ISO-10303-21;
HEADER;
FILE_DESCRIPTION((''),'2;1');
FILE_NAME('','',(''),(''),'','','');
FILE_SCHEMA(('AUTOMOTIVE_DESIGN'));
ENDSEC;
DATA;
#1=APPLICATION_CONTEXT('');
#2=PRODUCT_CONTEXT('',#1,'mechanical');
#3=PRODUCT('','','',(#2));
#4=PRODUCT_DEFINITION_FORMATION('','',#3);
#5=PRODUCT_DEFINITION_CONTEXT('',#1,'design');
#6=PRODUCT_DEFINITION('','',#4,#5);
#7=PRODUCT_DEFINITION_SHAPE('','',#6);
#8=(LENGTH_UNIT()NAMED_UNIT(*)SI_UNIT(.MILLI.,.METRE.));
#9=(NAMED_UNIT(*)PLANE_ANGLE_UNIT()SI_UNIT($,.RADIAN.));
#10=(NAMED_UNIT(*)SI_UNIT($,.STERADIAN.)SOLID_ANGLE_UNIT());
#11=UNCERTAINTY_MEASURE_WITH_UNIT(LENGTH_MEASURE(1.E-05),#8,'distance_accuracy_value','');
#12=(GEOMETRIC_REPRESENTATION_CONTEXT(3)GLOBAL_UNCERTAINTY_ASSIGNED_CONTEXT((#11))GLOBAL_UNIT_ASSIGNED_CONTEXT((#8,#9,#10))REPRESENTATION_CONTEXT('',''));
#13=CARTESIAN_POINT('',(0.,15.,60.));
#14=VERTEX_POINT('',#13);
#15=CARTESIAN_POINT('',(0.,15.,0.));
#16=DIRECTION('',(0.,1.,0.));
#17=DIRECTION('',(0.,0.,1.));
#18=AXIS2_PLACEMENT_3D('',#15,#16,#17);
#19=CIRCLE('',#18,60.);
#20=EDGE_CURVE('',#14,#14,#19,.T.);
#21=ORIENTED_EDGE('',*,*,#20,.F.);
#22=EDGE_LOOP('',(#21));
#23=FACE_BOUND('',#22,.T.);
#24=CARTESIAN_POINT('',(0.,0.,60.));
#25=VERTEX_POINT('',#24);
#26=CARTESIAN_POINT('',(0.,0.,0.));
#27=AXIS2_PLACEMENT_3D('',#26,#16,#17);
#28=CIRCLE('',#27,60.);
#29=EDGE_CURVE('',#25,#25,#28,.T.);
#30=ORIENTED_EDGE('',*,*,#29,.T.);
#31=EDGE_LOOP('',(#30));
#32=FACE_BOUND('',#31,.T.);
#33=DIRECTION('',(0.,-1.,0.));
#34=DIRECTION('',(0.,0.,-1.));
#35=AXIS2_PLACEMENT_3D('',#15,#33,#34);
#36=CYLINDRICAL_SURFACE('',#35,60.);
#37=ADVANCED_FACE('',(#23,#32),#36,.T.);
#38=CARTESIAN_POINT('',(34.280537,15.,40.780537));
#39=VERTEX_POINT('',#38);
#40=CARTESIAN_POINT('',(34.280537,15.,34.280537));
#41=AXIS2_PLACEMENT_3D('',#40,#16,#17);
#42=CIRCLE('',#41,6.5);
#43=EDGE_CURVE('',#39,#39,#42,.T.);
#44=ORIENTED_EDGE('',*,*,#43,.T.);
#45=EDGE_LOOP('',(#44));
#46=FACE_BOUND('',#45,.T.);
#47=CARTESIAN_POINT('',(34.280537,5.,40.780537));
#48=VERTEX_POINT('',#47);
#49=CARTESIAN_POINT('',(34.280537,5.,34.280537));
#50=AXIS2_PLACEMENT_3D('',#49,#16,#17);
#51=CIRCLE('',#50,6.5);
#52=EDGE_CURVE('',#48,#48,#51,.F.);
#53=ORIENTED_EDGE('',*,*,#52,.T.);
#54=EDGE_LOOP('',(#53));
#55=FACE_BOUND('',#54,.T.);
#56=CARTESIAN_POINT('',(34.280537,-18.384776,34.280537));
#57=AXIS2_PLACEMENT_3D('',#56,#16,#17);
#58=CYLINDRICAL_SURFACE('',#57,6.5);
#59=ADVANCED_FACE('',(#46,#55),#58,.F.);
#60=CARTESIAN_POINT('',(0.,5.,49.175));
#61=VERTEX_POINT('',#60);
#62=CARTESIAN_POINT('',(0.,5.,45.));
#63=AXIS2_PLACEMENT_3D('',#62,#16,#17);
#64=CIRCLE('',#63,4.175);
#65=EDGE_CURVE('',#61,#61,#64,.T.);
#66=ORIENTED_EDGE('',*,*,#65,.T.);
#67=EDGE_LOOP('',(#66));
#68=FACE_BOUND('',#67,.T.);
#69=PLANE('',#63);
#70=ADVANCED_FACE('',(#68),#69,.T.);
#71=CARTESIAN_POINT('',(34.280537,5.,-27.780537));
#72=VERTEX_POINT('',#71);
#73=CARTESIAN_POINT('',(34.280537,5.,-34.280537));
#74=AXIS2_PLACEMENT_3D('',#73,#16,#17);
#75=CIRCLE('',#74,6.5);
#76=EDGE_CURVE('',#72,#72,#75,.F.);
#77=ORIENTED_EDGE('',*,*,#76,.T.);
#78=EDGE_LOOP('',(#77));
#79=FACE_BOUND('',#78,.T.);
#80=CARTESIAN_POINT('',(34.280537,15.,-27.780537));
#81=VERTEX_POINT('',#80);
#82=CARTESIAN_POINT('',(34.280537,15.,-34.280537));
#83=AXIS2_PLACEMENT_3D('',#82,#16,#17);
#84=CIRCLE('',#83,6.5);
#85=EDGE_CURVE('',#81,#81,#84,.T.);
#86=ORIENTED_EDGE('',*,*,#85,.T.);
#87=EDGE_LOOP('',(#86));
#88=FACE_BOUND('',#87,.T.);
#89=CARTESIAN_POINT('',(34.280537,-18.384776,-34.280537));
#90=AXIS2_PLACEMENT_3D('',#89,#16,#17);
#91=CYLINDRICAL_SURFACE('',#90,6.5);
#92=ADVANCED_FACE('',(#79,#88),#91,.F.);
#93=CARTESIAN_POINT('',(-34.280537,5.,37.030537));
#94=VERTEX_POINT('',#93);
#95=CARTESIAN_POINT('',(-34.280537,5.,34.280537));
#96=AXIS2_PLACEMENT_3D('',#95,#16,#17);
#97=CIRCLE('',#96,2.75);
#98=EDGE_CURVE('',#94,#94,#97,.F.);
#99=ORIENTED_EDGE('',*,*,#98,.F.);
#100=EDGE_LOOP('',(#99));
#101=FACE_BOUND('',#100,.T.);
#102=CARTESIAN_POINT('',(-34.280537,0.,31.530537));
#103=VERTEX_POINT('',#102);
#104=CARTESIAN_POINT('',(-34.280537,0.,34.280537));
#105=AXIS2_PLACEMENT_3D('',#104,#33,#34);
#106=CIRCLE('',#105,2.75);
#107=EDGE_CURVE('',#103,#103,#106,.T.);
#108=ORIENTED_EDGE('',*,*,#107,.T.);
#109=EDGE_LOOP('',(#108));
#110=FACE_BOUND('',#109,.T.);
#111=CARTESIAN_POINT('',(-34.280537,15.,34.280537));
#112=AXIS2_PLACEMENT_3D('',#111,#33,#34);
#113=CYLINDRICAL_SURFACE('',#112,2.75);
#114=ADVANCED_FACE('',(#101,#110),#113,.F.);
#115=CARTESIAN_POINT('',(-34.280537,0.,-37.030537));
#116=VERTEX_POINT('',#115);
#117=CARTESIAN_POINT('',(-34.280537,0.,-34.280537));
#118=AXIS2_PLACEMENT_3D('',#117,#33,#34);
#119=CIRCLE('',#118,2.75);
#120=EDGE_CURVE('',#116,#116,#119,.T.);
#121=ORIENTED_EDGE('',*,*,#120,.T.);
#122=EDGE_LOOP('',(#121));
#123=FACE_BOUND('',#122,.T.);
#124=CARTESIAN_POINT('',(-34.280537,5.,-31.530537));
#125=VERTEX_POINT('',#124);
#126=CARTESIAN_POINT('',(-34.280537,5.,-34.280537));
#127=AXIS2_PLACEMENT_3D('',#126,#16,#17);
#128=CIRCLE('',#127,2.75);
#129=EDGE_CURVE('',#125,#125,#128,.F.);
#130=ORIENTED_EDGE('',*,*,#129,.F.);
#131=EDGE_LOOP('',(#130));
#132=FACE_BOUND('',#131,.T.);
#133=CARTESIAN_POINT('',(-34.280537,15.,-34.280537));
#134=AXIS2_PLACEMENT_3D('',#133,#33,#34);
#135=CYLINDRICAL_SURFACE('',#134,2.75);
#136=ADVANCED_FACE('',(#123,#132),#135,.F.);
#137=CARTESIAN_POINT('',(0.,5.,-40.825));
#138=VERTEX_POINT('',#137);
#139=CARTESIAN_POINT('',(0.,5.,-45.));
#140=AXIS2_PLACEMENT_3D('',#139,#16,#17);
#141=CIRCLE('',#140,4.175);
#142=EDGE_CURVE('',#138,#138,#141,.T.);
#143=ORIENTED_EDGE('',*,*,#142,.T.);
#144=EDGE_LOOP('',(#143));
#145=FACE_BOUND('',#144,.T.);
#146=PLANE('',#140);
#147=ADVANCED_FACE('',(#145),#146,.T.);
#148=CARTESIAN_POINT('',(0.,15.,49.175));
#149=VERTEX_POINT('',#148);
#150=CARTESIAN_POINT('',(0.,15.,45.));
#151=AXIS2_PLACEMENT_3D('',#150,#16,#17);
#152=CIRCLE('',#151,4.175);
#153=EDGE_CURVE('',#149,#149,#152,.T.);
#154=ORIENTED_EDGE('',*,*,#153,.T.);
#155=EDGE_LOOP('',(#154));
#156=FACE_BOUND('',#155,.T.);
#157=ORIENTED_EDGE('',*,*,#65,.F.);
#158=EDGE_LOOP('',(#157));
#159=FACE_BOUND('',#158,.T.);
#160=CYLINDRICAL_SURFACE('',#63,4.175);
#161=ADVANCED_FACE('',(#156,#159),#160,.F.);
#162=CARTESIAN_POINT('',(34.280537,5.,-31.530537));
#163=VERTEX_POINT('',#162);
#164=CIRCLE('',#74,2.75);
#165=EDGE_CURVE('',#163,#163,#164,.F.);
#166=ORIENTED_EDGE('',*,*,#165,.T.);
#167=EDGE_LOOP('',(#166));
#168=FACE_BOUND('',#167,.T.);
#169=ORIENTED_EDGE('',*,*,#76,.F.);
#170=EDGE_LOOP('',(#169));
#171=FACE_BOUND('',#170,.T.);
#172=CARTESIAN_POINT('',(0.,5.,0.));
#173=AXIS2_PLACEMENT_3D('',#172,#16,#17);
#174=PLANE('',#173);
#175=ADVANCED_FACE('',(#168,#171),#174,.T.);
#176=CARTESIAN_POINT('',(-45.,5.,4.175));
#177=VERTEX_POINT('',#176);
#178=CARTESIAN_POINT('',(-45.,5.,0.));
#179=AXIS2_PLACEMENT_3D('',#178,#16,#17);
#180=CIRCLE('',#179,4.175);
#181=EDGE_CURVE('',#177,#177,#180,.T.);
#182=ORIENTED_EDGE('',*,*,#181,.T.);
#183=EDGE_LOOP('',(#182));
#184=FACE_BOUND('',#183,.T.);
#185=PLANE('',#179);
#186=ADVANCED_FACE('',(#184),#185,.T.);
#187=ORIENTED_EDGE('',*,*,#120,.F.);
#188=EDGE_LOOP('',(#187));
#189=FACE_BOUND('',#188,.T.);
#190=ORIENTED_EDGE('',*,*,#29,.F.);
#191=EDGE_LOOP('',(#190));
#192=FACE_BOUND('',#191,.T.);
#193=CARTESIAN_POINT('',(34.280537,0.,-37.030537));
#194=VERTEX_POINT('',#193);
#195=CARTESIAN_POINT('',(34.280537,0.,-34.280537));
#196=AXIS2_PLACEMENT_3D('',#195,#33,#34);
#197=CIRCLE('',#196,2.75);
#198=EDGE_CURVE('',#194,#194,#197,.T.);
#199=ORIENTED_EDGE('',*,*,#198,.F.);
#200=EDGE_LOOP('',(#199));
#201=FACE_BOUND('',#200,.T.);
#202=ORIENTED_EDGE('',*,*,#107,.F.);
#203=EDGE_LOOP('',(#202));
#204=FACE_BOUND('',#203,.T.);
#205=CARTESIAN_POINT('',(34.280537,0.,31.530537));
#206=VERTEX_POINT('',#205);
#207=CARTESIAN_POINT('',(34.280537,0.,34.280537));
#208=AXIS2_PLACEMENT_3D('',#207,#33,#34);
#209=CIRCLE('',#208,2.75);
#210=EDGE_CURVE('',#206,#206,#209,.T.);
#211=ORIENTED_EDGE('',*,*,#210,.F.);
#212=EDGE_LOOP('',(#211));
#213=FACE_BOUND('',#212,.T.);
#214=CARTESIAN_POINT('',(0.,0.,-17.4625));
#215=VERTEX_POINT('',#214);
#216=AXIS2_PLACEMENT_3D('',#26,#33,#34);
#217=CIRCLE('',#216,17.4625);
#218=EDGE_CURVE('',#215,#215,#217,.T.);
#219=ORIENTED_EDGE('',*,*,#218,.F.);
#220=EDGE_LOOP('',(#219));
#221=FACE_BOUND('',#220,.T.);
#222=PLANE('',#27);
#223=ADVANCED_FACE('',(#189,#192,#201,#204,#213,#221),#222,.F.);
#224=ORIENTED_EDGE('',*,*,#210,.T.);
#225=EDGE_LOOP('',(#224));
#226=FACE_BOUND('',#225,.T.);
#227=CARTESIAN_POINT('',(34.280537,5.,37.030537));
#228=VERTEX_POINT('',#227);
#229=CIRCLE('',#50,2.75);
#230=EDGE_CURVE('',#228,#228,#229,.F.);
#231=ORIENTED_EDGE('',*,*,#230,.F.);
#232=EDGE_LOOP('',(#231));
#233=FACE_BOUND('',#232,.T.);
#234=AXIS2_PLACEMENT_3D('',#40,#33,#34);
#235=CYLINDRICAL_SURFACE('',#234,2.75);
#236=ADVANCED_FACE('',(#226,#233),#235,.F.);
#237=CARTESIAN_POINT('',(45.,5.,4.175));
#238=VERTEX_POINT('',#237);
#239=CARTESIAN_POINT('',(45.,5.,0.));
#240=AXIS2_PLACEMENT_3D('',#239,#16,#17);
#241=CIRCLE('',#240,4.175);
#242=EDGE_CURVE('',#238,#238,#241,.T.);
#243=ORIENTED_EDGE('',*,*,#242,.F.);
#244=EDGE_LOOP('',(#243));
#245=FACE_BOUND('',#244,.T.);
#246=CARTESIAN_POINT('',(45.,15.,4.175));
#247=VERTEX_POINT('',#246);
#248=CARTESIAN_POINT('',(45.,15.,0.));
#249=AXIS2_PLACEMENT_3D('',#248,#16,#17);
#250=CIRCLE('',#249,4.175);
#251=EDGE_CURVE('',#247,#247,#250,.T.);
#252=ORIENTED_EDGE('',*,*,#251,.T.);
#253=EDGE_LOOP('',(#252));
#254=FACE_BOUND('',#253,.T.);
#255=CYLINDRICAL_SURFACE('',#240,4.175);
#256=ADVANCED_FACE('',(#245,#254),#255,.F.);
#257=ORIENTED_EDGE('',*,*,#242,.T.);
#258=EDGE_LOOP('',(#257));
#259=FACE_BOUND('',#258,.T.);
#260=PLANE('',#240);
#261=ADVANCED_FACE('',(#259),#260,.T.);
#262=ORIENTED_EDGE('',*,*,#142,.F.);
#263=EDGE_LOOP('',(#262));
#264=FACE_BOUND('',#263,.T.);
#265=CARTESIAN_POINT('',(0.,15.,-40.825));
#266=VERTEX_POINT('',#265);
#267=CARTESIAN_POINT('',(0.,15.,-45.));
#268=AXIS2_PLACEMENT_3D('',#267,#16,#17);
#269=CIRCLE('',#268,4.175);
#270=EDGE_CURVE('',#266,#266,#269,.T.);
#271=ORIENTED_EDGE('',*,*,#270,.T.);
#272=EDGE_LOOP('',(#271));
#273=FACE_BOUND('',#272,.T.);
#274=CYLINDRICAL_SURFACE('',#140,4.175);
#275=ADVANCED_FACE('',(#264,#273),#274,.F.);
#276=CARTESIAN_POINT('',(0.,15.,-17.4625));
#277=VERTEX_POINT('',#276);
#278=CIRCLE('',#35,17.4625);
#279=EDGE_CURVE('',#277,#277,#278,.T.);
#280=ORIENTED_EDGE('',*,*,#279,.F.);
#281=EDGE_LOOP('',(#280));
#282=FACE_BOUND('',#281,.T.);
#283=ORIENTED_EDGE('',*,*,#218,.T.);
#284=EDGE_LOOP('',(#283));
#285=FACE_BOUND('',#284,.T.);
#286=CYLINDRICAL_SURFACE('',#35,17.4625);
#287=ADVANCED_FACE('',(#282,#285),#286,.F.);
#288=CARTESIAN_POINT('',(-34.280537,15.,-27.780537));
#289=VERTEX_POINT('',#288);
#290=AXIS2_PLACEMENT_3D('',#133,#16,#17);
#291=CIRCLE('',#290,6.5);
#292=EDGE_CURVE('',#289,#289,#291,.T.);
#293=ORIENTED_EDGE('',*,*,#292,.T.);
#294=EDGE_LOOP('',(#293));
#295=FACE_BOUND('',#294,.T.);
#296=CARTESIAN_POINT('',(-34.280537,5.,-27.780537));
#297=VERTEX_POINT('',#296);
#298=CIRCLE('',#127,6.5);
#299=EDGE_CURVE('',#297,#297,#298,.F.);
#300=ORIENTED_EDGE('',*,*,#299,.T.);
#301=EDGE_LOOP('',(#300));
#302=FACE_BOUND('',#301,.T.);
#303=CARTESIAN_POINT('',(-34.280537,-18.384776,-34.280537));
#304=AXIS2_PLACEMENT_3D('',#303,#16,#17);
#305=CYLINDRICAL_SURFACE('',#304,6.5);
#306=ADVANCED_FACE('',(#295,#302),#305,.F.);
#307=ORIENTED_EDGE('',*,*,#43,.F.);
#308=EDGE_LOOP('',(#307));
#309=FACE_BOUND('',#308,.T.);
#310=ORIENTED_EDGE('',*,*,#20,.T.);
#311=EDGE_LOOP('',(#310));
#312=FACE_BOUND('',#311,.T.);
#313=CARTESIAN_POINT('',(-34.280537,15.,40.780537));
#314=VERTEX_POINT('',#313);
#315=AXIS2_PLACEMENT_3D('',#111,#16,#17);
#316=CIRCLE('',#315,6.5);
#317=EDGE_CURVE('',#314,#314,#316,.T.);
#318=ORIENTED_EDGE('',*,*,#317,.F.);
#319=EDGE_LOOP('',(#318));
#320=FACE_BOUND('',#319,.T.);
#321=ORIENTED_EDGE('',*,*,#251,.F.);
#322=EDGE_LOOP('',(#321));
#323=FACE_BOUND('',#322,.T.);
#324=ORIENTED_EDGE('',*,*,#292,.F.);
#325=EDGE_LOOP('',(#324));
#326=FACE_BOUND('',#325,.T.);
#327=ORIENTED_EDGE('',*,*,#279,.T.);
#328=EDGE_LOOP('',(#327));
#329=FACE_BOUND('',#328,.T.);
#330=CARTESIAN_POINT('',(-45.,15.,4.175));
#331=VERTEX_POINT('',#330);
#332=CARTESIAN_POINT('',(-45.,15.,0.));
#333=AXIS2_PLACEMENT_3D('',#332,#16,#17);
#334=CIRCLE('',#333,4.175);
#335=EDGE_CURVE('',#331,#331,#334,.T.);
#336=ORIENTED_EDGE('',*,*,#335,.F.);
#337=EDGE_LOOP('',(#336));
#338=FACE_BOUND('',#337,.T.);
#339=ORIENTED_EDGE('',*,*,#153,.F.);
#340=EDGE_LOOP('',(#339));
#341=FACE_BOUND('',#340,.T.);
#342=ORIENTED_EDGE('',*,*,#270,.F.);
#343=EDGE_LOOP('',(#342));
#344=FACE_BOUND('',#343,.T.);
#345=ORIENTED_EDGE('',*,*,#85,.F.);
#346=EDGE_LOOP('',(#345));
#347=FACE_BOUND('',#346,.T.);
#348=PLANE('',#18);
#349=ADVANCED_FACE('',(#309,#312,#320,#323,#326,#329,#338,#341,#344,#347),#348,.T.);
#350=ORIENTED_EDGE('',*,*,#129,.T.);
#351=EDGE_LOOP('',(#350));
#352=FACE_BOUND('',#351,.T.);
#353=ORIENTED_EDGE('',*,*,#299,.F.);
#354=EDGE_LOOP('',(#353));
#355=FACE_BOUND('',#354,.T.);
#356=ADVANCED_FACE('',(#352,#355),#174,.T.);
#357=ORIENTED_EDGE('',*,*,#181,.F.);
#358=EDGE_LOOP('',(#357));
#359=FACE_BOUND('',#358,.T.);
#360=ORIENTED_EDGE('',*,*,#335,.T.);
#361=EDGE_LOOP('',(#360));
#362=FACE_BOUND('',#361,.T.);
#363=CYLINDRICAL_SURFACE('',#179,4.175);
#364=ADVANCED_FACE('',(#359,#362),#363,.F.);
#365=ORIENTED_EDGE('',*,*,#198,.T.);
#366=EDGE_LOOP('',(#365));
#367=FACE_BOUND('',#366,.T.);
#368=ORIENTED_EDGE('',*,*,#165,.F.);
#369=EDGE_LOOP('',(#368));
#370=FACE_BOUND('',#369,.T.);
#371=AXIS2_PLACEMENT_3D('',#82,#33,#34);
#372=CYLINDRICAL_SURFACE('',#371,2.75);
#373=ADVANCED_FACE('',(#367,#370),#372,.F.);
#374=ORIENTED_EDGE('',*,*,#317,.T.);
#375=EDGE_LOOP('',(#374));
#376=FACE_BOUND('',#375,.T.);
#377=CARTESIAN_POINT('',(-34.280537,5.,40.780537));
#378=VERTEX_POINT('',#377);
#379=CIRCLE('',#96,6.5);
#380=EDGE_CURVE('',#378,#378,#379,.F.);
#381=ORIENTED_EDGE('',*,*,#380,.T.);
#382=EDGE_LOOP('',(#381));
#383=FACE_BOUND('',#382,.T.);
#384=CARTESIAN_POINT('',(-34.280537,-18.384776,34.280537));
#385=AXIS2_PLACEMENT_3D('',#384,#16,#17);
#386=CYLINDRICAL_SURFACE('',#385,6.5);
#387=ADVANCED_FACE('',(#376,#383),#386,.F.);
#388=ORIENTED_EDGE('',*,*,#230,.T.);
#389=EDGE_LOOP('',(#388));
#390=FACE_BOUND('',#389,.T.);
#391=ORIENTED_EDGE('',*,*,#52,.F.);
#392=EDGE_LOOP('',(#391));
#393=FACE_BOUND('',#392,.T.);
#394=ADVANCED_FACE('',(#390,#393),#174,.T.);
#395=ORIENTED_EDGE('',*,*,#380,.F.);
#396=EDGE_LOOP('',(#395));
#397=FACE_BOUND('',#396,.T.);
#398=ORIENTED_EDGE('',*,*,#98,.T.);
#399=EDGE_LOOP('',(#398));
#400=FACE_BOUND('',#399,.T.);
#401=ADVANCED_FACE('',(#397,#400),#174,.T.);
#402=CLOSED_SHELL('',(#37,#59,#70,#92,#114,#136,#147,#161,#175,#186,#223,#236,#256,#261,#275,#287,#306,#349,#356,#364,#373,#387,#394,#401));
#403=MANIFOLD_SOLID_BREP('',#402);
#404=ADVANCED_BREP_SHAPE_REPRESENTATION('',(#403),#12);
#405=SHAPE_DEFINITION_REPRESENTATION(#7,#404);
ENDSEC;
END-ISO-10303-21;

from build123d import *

# Parameters (mm, degrees)
SKETCH1_R           = 60
BOSS_EXTRUDE1_DEPTH = 15
SKETCH2_R           = 4.175
CUT_EXTRUDE1_DEPTH  = 10
SKETCH3_R           = 2.75
CUT_EXTRUDE2_DEPTH  = 87.168439698
SKETCH4_R           = 17.4625
CUT_EXTRUDE3_DEPTH  = 87.168439698
SKETCH5_R           = 6.5
CUT_EXTRUDE4_DEPTH  = 10


with BuildPart() as part:
    # Sketch1 → Boss-Extrude1 (new body)
    with BuildSketch(Plane(origin=(0, 0, 0), x_dir=(1, 0, 0), z_dir=(0, 1, 0))):
        with Locations(Location((0, 0, 0), (0, 0, 270))):
            Circle(SKETCH1_R)
    extrude(amount=BOSS_EXTRUDE1_DEPTH)

    # Sketch2 → Cut-Extrude1 (cut)
    with BuildSketch(Plane(origin=(0, 15, 0), x_dir=(1, 0, 0), z_dir=(0, 1, 0))):
        with Locations(Location((45, 0, 0), (0, 0, 270))):
            Circle(SKETCH2_R)
        with Locations(Location((0, -45, 0), (0, 0, 270))):
            Circle(SKETCH2_R)
        with Locations(Location((-45, 0, 0), (0, 0, 270))):
            Circle(SKETCH2_R)
        with Locations(Location((0, 45, 0), (0, 0, 270))):
            Circle(SKETCH2_R)
    extrude(amount=-CUT_EXTRUDE1_DEPTH, mode=Mode.SUBTRACT)

    # Sketch3 → Cut-Extrude2 (cut, through all)
    with BuildSketch(Plane.XZ):
        with Locations(Location((34.280536752, -34.280536752, 0), (0, 0, 270))):
            Circle(SKETCH3_R)
        with Locations(Location((-34.280536752, -34.280536752, 0), (0, 0, 270))):
            Circle(SKETCH3_R)
        with Locations(Location((-34.280536752, 34.280536752, 0), (0, 0, 270))):
            Circle(SKETCH3_R)
        with Locations(Location((34.280536752, 34.280536752, 0), (0, 0, 270))):
            Circle(SKETCH3_R)
    extrude(amount=-CUT_EXTRUDE2_DEPTH, mode=Mode.SUBTRACT)

    # Sketch4 → Cut-Extrude3 (cut, through all)
    with BuildSketch(Plane.XZ):
        with Locations(Location((0, 0, 0), (0, 0, 270))):
            Circle(SKETCH4_R)
    extrude(amount=-CUT_EXTRUDE3_DEPTH, mode=Mode.SUBTRACT)

    # Sketch5 → Cut-Extrude4 (cut)
    with BuildSketch(Plane(origin=(0, 15, 0), x_dir=(1, 0, 0), z_dir=(0, 1, 0))):
        with Locations(Location((-34.280536752, 34.280536752, 0), (0, 0, 270))):
            Circle(SKETCH5_R)
        with Locations(Location((34.280536752, 34.280536752, 0), (0, 0, 270))):
            Circle(SKETCH5_R)
        with Locations(Location((34.280536752, -34.280536752, 0), (0, 0, 270))):
            Circle(SKETCH5_R)
        with Locations(Location((-34.280536752, -34.280536752, 0), (0, 0, 270))):
            Circle(SKETCH5_R)
    extrude(amount=-CUT_EXTRUDE4_DEPTH, mode=Mode.SUBTRACT)


solid = part.part
